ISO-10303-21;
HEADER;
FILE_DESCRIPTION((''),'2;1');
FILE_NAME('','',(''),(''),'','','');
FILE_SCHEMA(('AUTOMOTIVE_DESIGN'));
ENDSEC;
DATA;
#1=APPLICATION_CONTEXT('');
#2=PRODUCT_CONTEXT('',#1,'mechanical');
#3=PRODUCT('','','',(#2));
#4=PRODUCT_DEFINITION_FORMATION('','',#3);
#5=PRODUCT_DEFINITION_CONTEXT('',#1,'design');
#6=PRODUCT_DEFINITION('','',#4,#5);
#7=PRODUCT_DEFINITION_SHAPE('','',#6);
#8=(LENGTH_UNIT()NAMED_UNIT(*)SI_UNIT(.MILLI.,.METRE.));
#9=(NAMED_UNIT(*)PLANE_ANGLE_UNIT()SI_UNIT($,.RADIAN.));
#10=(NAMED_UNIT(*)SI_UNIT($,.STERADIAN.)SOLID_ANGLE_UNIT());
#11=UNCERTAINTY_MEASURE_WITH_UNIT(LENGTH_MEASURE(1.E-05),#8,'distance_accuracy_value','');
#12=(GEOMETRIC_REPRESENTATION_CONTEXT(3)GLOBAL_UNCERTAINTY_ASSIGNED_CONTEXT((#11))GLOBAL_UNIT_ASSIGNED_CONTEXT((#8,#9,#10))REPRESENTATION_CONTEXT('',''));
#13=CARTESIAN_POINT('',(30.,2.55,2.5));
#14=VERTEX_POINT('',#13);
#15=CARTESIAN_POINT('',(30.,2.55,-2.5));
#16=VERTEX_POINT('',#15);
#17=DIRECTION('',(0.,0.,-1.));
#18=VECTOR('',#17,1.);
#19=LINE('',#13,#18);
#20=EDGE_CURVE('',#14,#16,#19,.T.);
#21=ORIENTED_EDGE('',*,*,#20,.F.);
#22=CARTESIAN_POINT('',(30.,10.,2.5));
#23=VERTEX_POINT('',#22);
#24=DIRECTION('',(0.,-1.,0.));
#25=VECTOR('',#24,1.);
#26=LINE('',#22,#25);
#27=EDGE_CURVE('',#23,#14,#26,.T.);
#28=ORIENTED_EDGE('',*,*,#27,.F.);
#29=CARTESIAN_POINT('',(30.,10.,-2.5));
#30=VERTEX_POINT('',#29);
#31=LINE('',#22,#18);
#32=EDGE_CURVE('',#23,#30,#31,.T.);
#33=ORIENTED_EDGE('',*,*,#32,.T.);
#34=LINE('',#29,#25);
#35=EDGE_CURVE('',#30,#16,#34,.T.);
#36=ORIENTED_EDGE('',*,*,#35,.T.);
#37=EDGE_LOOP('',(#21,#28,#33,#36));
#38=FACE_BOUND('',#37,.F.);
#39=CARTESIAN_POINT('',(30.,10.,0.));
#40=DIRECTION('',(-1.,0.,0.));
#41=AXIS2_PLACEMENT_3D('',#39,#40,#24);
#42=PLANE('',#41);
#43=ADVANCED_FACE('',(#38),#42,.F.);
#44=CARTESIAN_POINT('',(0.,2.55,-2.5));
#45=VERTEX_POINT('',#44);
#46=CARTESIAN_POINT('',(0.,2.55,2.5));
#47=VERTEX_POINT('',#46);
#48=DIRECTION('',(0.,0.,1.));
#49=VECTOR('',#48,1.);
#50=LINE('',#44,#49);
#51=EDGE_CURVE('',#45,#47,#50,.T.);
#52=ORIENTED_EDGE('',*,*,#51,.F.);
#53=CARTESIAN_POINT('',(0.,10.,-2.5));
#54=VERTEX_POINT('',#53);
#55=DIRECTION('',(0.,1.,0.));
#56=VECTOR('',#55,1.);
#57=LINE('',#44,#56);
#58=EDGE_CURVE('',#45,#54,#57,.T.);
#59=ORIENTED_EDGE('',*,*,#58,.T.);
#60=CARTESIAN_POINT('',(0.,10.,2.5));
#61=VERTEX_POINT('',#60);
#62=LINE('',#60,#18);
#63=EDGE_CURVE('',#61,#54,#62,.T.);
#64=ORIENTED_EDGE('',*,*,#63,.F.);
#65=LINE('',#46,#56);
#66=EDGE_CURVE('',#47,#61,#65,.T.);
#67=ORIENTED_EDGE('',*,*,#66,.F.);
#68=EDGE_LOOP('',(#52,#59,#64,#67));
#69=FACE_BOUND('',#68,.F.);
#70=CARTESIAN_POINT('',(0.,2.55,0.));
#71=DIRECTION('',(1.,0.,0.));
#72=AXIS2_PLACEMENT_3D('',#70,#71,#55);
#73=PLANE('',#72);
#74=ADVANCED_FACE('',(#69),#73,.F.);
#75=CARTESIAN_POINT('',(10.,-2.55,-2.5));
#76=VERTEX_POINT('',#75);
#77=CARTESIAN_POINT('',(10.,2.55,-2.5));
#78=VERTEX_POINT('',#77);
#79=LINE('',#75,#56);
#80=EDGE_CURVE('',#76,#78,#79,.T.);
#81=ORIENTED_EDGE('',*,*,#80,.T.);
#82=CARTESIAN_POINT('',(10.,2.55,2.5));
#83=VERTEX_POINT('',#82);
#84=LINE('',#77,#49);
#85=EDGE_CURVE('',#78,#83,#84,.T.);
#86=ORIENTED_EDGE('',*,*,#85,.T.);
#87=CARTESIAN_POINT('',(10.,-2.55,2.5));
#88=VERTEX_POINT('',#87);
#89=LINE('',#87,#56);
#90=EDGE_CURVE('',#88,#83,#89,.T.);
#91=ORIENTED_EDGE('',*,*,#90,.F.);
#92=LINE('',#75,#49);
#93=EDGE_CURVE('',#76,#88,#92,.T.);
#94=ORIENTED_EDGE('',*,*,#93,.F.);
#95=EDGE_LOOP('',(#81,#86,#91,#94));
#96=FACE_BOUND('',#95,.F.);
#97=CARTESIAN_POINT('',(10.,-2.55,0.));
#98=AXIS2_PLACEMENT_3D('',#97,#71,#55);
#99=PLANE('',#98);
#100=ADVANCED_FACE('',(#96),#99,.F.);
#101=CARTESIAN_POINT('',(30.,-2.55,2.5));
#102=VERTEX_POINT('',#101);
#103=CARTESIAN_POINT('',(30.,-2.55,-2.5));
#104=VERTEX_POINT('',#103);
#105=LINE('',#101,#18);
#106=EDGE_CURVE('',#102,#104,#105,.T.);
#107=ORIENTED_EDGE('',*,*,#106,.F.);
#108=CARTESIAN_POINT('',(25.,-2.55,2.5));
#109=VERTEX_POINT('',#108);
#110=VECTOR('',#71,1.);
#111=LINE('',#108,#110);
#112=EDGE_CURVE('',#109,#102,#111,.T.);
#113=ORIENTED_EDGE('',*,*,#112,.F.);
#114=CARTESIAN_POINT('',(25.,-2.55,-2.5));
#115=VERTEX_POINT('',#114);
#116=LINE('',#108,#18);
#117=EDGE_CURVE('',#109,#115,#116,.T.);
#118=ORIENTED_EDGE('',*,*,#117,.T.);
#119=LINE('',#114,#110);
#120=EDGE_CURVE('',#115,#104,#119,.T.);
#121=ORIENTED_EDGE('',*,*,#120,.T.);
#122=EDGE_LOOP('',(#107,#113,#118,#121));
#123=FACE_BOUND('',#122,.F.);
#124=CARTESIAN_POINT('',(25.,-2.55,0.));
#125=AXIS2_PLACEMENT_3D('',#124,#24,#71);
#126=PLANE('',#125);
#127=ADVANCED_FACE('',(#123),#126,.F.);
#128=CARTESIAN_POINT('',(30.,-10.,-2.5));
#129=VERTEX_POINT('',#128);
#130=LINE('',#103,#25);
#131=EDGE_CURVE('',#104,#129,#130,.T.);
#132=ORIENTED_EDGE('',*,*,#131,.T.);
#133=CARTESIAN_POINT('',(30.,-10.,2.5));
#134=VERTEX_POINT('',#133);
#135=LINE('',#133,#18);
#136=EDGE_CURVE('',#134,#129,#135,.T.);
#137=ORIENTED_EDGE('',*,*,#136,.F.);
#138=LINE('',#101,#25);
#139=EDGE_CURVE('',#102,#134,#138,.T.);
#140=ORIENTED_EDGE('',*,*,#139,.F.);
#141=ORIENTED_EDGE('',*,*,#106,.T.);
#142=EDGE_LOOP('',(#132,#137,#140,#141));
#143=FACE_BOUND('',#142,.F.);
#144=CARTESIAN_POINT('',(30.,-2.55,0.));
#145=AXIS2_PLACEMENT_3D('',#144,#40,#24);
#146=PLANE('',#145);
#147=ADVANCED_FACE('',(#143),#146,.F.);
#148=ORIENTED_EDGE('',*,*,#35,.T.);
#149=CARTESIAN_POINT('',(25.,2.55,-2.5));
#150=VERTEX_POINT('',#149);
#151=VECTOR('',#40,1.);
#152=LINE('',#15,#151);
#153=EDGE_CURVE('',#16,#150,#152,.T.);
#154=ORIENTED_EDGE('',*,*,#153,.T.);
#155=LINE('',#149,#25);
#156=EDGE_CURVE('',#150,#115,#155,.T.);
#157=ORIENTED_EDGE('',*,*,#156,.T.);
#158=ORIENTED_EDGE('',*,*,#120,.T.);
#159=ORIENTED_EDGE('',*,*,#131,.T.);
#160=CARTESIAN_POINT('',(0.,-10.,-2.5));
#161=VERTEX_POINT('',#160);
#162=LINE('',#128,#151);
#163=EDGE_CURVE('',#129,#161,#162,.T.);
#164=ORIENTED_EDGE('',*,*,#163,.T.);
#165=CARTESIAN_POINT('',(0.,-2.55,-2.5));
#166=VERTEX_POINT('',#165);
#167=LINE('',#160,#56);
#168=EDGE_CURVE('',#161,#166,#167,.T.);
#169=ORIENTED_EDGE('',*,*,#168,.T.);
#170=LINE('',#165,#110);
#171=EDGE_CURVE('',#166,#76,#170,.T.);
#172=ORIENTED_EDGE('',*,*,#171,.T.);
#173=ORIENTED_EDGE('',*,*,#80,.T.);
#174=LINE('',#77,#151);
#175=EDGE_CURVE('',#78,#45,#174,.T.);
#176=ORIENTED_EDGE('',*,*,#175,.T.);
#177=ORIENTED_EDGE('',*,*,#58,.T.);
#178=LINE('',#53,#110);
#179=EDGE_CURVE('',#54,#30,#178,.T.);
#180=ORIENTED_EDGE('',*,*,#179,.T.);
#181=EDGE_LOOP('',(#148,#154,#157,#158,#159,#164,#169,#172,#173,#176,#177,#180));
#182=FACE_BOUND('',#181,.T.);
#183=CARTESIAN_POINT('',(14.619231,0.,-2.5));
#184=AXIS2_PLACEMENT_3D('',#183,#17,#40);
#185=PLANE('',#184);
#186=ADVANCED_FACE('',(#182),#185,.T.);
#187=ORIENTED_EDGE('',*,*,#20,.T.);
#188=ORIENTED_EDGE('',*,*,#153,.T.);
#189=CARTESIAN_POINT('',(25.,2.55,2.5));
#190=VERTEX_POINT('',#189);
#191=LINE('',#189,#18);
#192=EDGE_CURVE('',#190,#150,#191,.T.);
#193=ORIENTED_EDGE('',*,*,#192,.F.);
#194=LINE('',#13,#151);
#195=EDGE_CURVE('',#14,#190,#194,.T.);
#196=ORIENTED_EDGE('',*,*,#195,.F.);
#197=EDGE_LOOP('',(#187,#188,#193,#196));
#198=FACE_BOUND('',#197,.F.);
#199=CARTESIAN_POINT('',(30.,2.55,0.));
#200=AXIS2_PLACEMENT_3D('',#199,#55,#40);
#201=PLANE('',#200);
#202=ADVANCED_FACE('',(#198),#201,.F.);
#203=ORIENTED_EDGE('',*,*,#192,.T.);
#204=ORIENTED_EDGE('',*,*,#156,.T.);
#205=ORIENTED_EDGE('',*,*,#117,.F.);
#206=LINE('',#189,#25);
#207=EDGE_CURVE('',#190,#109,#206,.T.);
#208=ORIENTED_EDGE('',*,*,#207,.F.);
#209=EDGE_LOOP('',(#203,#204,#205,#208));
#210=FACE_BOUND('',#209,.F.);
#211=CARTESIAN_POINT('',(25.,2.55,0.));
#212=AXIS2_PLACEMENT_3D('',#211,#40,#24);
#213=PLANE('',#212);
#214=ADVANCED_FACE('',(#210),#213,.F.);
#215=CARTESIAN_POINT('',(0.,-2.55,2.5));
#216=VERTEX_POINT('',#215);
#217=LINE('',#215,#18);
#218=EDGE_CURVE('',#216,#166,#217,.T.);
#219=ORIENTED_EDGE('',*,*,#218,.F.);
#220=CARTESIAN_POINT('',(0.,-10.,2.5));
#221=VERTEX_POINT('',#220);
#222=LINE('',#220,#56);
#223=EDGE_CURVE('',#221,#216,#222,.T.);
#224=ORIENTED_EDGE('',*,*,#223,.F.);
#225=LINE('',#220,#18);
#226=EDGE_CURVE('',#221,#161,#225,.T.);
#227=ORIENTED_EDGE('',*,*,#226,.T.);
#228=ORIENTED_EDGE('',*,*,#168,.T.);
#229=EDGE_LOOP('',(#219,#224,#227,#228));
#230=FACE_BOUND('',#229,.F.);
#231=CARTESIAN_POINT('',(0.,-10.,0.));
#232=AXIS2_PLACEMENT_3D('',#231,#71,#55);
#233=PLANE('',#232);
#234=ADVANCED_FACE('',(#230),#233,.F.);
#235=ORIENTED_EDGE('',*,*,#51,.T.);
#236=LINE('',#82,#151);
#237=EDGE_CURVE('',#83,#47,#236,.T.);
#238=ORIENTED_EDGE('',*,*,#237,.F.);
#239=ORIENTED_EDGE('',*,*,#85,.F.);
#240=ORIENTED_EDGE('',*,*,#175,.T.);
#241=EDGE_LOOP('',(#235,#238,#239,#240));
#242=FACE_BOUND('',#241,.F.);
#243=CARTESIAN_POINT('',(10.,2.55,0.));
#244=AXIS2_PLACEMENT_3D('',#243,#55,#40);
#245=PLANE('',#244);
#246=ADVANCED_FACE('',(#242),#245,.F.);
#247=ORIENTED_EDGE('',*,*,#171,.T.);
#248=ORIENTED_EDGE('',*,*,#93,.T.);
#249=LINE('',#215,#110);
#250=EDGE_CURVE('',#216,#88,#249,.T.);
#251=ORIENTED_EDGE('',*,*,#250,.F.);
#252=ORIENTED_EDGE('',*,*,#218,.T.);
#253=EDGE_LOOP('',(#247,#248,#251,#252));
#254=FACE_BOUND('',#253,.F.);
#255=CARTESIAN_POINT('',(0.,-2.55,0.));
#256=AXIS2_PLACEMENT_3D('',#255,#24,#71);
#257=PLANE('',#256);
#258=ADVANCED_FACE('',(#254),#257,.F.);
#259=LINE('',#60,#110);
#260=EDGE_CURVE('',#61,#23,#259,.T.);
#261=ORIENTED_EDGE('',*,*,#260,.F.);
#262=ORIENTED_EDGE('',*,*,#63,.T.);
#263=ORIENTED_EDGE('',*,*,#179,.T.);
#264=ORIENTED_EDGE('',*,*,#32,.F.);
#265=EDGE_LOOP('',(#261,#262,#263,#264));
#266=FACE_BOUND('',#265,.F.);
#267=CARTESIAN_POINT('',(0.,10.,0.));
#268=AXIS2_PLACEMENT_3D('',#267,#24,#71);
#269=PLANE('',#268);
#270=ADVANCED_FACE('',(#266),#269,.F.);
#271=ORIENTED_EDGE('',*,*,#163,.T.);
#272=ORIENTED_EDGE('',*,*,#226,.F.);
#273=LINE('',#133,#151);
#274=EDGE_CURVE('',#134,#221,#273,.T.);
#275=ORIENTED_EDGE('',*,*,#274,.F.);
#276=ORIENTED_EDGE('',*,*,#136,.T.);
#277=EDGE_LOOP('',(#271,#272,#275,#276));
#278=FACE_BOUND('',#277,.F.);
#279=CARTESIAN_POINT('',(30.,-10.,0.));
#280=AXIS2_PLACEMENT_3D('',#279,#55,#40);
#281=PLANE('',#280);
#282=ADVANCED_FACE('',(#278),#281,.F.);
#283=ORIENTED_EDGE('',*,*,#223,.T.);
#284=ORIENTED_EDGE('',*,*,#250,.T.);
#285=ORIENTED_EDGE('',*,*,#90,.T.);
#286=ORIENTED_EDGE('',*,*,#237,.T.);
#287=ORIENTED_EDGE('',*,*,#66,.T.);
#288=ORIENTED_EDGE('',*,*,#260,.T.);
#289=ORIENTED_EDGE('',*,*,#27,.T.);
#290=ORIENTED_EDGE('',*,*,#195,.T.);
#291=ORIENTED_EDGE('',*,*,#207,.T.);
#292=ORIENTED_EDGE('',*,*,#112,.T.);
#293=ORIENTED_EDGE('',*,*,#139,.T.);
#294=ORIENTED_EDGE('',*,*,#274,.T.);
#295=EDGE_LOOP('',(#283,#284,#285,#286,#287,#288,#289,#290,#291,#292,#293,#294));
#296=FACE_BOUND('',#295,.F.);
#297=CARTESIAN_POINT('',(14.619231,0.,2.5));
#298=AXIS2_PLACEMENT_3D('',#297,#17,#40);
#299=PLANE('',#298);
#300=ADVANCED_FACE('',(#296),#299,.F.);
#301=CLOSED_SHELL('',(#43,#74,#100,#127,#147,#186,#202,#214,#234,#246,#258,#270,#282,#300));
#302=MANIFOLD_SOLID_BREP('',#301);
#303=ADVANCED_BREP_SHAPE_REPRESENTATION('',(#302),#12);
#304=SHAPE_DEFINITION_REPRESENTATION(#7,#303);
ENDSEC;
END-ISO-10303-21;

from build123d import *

# Parameters (mm, degrees)
PAD_DEPTH = 2.5


with BuildPart() as part:
    # Sketch → Pad (new body, symmetric)
    with BuildSketch(Plane.XY):
        Polygon((0, 2.55), (0, 10), (30, 10), (30, 2.55), (25, 2.55), (25, -2.55), (30, -2.55), (30, -10), (0, -10), (0, -2.55), (10, -2.55), (10, 2.55), align=None)
    extrude(amount=PAD_DEPTH, both=True)


solid = part.part
